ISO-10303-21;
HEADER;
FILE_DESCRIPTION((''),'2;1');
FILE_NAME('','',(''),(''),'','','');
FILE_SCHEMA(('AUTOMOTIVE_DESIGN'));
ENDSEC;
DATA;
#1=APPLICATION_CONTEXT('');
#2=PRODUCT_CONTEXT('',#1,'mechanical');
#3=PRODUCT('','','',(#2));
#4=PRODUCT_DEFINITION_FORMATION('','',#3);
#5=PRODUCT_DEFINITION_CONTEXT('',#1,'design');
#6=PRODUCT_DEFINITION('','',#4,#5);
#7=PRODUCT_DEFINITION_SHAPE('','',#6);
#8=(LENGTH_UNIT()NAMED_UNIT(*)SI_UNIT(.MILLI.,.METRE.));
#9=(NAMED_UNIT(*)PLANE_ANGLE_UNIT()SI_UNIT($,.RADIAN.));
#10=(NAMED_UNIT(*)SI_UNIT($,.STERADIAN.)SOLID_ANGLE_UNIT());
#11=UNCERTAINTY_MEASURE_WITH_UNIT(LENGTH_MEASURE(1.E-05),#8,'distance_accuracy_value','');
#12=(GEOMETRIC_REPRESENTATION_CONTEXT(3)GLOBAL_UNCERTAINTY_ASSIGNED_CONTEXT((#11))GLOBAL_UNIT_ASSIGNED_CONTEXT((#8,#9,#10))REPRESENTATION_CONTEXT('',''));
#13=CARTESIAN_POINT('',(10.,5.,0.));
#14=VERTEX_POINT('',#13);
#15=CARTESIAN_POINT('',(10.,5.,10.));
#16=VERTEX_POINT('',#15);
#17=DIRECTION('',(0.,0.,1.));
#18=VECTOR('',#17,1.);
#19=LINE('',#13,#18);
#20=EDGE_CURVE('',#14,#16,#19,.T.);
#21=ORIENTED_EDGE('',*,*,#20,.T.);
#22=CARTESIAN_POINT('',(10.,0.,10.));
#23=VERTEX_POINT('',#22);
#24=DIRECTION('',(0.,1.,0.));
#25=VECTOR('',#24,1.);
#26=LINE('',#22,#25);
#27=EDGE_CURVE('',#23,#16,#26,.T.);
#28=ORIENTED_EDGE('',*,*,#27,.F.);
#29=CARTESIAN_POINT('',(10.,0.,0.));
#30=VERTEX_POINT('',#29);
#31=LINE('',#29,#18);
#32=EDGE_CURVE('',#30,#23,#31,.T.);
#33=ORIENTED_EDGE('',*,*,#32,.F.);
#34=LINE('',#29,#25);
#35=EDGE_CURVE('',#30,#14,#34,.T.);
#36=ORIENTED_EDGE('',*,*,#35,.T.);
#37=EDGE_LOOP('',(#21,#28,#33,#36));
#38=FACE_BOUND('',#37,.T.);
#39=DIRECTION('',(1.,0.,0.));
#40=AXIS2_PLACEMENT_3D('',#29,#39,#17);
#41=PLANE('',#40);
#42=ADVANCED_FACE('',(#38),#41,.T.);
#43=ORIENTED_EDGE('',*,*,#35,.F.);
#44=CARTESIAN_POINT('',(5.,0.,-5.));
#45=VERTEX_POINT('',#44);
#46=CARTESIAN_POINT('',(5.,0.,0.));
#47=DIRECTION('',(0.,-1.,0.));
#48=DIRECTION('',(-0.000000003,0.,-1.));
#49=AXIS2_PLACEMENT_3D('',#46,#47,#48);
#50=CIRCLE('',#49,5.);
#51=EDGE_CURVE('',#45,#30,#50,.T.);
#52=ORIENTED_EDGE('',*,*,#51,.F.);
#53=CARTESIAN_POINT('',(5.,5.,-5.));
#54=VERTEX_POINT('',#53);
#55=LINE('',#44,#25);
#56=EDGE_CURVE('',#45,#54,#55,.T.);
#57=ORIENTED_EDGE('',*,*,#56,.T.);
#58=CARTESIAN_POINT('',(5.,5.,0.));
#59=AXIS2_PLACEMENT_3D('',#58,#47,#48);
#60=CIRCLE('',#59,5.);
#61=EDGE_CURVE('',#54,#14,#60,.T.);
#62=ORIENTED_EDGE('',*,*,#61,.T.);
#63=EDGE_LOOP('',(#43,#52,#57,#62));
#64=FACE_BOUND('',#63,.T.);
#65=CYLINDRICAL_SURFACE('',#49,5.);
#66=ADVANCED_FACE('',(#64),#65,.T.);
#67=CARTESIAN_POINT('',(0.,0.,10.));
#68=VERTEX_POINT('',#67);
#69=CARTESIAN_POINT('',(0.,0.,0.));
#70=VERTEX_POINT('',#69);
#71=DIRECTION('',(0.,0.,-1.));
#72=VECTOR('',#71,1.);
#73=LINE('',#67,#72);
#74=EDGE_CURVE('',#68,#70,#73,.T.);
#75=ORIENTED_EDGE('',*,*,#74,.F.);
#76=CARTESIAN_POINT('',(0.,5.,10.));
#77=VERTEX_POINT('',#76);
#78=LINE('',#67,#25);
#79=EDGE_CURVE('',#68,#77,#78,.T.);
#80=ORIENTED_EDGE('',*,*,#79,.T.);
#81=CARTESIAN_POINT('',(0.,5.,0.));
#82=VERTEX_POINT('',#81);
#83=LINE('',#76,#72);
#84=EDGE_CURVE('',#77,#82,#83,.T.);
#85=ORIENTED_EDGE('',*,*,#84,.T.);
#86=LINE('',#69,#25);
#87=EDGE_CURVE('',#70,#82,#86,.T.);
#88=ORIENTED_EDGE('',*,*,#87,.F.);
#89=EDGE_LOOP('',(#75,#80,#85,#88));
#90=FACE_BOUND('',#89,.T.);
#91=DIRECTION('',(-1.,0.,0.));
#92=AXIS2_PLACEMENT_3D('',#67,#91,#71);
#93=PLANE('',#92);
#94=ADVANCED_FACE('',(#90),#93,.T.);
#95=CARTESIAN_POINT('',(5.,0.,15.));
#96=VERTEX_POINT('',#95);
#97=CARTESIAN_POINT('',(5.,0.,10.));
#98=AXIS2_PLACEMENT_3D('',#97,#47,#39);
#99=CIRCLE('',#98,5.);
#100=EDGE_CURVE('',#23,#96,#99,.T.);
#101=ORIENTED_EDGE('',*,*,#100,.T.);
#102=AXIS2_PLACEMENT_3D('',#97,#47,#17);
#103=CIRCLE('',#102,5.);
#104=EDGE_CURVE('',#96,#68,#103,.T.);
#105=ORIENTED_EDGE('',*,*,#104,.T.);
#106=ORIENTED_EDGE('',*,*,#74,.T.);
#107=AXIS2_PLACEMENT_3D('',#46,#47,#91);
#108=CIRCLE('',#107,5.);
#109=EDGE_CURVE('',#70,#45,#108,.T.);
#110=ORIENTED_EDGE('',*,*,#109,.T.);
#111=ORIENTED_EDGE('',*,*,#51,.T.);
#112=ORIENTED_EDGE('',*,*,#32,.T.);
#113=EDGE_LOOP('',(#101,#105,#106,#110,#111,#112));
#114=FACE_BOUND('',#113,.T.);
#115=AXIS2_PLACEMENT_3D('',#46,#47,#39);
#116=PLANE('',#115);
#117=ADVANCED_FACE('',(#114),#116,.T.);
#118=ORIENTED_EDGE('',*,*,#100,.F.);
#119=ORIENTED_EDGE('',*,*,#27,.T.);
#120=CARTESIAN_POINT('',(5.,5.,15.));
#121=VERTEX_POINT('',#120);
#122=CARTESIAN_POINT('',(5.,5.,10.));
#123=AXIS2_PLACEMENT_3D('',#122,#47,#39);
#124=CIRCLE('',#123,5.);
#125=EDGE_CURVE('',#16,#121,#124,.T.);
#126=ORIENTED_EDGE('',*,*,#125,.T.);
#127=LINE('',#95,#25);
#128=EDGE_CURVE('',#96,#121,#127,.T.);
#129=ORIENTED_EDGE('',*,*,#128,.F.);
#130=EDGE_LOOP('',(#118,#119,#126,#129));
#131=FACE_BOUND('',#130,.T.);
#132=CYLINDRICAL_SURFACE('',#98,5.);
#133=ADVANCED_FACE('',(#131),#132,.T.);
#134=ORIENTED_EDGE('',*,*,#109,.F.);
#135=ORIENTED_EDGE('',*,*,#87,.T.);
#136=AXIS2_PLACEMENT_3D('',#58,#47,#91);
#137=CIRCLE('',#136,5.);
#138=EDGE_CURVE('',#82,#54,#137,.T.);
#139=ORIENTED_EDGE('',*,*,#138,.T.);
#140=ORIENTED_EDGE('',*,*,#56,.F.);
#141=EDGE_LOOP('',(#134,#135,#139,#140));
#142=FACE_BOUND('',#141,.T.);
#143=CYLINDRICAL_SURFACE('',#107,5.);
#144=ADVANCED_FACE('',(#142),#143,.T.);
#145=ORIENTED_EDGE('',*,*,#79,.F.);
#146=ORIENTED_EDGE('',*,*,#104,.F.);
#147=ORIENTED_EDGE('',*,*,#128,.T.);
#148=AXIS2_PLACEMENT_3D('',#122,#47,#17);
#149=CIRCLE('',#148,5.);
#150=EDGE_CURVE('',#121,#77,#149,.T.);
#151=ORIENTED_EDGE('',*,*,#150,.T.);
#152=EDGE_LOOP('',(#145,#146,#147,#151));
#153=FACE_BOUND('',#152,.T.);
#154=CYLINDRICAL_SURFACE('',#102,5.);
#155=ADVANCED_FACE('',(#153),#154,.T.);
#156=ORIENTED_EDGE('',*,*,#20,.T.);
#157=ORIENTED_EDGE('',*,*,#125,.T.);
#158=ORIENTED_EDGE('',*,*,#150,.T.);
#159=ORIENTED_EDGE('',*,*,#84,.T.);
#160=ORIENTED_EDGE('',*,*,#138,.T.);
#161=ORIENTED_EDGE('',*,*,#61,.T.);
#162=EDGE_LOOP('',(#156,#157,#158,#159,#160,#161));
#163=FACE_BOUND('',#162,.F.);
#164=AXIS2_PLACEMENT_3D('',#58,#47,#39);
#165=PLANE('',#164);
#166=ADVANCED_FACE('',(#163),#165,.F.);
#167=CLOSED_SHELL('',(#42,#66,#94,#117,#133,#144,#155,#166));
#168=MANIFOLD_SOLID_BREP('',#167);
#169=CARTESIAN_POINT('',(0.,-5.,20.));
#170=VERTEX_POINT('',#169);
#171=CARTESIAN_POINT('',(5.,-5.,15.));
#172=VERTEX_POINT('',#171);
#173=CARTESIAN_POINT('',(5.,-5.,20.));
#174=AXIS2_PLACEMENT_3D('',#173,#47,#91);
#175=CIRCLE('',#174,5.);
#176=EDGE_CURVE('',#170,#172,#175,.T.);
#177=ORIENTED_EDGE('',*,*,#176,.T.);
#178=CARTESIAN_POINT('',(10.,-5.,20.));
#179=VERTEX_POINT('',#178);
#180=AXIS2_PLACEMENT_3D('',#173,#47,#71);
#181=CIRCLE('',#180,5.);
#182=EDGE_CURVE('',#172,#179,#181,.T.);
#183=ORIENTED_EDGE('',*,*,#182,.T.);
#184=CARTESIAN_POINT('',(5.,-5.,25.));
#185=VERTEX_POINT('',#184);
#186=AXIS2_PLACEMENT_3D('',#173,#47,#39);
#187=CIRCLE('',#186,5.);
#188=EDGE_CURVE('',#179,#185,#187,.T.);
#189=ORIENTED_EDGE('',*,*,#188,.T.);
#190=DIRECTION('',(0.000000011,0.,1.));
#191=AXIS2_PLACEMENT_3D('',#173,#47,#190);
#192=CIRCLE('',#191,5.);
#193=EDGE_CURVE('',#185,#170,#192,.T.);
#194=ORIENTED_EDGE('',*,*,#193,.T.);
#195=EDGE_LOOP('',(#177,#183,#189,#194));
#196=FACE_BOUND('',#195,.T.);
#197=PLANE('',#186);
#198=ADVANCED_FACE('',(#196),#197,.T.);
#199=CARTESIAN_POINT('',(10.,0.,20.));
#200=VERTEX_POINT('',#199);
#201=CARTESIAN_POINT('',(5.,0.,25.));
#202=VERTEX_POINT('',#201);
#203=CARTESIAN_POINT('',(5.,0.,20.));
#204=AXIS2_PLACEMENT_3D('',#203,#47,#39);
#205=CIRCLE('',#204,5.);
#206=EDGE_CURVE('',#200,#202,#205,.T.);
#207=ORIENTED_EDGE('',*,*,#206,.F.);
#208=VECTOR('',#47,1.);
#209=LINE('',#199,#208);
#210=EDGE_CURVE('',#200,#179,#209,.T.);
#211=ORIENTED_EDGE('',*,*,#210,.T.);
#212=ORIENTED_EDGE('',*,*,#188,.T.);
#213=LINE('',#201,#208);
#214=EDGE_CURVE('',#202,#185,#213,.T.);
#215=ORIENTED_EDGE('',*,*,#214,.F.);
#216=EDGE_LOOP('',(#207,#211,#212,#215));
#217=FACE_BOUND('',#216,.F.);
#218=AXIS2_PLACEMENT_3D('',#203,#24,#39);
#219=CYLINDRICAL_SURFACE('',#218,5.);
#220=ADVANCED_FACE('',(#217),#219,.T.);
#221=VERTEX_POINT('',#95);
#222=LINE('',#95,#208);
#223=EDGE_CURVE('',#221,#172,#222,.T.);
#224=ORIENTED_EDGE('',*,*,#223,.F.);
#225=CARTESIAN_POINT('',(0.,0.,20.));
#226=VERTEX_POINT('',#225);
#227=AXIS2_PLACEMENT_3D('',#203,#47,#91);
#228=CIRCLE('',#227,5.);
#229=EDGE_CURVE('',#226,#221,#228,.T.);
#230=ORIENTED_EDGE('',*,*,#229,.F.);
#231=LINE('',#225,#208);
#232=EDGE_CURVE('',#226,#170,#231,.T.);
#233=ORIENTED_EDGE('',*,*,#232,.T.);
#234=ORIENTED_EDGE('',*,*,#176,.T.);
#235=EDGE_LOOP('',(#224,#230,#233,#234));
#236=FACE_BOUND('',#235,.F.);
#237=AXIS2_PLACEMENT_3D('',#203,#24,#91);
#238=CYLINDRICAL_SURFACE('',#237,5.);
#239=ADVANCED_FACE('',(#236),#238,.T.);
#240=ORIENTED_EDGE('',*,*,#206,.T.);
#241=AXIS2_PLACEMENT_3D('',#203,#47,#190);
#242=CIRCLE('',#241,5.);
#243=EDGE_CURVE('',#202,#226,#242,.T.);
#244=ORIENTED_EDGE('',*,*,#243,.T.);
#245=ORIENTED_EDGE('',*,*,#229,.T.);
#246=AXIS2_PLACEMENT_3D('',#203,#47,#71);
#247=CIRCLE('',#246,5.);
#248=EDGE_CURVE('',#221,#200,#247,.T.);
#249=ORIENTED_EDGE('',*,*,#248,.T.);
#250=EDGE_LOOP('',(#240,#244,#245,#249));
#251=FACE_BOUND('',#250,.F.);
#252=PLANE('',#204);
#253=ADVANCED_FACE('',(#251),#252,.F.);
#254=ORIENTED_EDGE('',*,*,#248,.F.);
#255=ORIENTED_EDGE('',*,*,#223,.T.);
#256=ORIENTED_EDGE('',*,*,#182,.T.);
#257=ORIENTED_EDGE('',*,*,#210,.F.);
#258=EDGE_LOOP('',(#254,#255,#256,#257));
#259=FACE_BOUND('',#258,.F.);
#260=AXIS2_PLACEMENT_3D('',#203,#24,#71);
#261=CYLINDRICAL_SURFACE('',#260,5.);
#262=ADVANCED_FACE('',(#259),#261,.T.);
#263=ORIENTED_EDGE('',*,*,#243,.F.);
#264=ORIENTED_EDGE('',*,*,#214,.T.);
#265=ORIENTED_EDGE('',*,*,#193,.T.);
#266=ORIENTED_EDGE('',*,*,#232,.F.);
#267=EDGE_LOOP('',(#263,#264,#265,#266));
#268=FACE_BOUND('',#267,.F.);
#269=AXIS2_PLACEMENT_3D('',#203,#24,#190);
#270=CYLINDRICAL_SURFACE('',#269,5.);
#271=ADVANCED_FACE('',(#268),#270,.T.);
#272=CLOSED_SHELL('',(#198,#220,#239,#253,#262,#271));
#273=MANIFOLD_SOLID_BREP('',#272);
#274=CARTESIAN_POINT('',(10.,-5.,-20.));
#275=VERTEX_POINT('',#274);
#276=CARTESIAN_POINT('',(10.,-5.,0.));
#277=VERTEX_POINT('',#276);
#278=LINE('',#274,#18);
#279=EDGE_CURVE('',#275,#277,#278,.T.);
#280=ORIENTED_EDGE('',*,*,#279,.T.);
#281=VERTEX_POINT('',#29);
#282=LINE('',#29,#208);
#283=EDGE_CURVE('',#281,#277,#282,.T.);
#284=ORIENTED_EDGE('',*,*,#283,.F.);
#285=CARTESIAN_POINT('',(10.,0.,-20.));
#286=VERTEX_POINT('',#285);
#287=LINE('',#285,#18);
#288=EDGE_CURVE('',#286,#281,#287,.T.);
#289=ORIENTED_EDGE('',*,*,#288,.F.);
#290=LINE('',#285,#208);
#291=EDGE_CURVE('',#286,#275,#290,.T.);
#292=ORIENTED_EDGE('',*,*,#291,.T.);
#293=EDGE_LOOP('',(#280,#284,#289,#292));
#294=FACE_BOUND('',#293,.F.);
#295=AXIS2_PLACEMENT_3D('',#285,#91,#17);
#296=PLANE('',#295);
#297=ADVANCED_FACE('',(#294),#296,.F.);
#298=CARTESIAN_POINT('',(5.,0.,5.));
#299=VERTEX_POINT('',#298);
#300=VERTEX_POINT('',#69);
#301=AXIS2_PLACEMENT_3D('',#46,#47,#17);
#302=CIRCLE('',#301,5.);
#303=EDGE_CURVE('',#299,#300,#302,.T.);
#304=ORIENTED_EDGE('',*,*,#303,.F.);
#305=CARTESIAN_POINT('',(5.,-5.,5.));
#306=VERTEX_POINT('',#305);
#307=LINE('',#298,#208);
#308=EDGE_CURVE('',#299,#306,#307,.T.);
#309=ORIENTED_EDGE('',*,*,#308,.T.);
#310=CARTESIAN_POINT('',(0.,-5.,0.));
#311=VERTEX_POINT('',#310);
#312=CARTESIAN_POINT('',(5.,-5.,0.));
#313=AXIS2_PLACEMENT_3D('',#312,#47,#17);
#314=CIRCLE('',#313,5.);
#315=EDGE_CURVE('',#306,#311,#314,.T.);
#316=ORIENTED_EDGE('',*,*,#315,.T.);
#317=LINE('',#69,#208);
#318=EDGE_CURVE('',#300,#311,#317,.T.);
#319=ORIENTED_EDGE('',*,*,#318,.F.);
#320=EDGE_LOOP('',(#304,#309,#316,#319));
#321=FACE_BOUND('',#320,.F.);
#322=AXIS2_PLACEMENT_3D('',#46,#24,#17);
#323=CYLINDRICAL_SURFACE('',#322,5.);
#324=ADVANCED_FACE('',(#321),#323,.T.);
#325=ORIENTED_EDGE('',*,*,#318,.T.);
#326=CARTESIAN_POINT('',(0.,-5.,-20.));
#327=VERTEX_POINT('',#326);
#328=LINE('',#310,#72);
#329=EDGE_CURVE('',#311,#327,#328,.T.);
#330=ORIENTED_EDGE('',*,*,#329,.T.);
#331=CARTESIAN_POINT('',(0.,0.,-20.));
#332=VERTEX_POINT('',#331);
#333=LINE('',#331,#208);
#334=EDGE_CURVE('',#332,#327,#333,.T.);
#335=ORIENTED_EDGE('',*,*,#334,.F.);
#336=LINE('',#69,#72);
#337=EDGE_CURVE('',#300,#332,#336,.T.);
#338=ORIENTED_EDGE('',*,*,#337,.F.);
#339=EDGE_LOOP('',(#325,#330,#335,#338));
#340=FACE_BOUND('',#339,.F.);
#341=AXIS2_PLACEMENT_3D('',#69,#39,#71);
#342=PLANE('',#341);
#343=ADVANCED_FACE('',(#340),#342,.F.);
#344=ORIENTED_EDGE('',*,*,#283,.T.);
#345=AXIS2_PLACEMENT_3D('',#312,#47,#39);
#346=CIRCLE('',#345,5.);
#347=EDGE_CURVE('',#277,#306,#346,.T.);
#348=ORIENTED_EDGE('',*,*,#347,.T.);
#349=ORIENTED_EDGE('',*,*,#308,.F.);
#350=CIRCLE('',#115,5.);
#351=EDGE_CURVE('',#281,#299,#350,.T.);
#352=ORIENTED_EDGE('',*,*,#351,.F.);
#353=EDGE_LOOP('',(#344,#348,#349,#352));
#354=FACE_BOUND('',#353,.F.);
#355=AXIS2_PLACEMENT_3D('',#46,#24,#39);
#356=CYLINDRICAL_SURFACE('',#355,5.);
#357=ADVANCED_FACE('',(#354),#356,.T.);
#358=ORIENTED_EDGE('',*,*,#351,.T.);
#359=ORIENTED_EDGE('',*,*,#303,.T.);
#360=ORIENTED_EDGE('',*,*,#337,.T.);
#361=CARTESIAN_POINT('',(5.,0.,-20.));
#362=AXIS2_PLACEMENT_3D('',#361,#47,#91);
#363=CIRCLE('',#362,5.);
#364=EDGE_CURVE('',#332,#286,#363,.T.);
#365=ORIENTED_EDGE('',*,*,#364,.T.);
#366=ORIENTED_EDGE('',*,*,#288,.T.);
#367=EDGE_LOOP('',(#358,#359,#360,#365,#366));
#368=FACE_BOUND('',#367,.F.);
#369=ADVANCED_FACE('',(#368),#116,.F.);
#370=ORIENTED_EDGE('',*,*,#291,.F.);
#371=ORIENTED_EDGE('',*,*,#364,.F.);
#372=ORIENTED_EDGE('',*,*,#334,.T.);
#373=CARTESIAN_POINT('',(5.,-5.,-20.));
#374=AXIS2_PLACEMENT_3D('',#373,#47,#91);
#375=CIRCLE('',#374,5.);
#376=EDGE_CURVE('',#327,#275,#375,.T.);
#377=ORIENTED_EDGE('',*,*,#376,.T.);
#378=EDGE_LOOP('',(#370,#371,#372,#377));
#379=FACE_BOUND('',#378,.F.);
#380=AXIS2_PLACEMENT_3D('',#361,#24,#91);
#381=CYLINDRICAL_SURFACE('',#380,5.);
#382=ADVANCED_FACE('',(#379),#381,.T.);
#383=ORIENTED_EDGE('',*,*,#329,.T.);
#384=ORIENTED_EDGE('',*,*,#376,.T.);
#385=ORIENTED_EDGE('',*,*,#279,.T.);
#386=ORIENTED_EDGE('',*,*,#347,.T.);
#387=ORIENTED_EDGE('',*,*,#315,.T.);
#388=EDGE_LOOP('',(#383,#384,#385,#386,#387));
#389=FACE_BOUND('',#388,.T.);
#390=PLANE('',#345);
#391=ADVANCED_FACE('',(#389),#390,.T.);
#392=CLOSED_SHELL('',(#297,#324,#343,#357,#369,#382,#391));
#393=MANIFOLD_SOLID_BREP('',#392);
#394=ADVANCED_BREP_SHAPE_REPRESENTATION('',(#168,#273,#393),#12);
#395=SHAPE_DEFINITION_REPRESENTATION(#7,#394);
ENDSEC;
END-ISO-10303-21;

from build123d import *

# Parameters (mm, degrees)
F1_DEPTH = 5
F2_DEPTH = 5
F3_DEPTH = 5


with BuildPart() as f1:
    # F0 (on Front) → F1 (new body)
    with BuildSketch(Plane.XZ):
        with BuildLine():
            ThreePointArc((4.9999999867, -5), (8.5355339012, -3.5355339106), (10, 0))
            ThreePointArc((10, 0), (8.5355339059, 3.5355339059), (5, 5))
            ThreePointArc((5, 5), (1.4644660941, 3.5355339059), (0, 0))
            ThreePointArc((0, 0), (1.4644660894, -3.5355339012), (4.9999999867, -5))
        make_face()
        with BuildLine():
            ThreePointArc((0, -10), (1.4644660894, -6.4644660988), (4.9999999867, -5))
            ThreePointArc((4.9999999867, -5), (1.4644660894, -3.5355339012), (0, 0))
            Line((0, 0), (0, -10))
        make_face()
        with BuildLine():
            ThreePointArc((5, -15), (8.5355339059, -13.5355339059), (10, -10))
            ThreePointArc((10, -10), (8.5355339012, -6.4644660894), (4.9999999867, -5))
            ThreePointArc((4.9999999867, -5), (1.4644660894, -6.4644660988), (0, -10))
            ThreePointArc((0, -10), (1.4644660941, -13.5355339059), (5, -15))
        make_face()
        with BuildLine():
            ThreePointArc((0, -20), (1.4644660941, -16.4644660941), (5, -15))
            ThreePointArc((5, -15), (1.4644660941, -13.5355339059), (0, -10))
            Line((0, -10), (0, -20))
        make_face()
        with BuildLine():
            ThreePointArc((0, -20), (5, -25), (10, -20))
            ThreePointArc((10, -20), (8.5355339059, -16.4644660941), (5, -15))
            ThreePointArc((5, -15), (1.4644660941, -16.4644660941), (0, -20))
        make_face()
        with BuildLine():
            Line((10, -20), (10, -10))
            ThreePointArc((10, -10), (8.5355339059, -13.5355339059), (5, -15))
            ThreePointArc((5, -15), (8.5355339059, -16.4644660941), (10, -20))
        make_face()
        with BuildLine():
            Line((10, -10), (10, 0))
            ThreePointArc((10, 0), (8.5355339012, -3.5355339106), (4.9999999867, -5))
            ThreePointArc((4.9999999867, -5), (8.5355339012, -6.4644660894), (10, -10))
        make_face()
    extrude(amount=F1_DEPTH)


with BuildPart() as f2:
    # F0 (on Front) → F2 (new body)
    with BuildSketch(Plane.XZ):
        with BuildLine():
            ThreePointArc((4.9999999867, -5), (8.5355339012, -3.5355339106), (10, 0))
            ThreePointArc((10, 0), (8.5355339059, 3.5355339059), (5, 5))
            ThreePointArc((5, 5), (1.4644660941, 3.5355339059), (0, 0))
            ThreePointArc((0, 0), (1.4644660894, -3.5355339012), (4.9999999867, -5))
        make_face()
        with BuildLine():
            ThreePointArc((0, 0), (1.4644660941, 3.5355339059), (5, 5))
            ThreePointArc((5, 5), (1.4644660941, 6.4644660941), (0, 10))
            Line((0, 10), (0, 0))
        make_face()
        with BuildLine():
            ThreePointArc((5, 5), (8.5355339059, 3.5355339059), (10, 0))
            Line((10, 0), (10, 10))
            ThreePointArc((10, 10), (8.5355339059, 6.4644660941), (5, 5))
        make_face()
        with BuildLine():
            ThreePointArc((0, 10), (1.4644660941, 6.4644660941), (5, 5))
            ThreePointArc((5, 5), (8.5355339059, 6.4644660941), (10, 10))
            ThreePointArc((10, 10), (8.5355339059, 13.5355339059), (5, 15))
            ThreePointArc((5, 15), (1.4644660941, 13.5355339059), (0, 10))
        make_face()
    extrude(amount=-F2_DEPTH)


with BuildPart() as f3:
    # F0 (on Front) → F3 (new body)
    with BuildSketch(Plane.XZ):
        with BuildLine():
            ThreePointArc((5, 15), (8.5355339059, 16.4644660941), (10, 20))
            ThreePointArc((10, 20), (8.5355339249, 23.535533887), (5.0000000535, 25))
            ThreePointArc((5.0000000535, 25), (1.464466113, 23.5355339249), (0, 20))
            ThreePointArc((0, 20), (1.4644660941, 16.4644660941), (5, 15))
        make_face()
    extrude(amount=F3_DEPTH)


solid = Compound([f1.part, f2.part, f3.part])
